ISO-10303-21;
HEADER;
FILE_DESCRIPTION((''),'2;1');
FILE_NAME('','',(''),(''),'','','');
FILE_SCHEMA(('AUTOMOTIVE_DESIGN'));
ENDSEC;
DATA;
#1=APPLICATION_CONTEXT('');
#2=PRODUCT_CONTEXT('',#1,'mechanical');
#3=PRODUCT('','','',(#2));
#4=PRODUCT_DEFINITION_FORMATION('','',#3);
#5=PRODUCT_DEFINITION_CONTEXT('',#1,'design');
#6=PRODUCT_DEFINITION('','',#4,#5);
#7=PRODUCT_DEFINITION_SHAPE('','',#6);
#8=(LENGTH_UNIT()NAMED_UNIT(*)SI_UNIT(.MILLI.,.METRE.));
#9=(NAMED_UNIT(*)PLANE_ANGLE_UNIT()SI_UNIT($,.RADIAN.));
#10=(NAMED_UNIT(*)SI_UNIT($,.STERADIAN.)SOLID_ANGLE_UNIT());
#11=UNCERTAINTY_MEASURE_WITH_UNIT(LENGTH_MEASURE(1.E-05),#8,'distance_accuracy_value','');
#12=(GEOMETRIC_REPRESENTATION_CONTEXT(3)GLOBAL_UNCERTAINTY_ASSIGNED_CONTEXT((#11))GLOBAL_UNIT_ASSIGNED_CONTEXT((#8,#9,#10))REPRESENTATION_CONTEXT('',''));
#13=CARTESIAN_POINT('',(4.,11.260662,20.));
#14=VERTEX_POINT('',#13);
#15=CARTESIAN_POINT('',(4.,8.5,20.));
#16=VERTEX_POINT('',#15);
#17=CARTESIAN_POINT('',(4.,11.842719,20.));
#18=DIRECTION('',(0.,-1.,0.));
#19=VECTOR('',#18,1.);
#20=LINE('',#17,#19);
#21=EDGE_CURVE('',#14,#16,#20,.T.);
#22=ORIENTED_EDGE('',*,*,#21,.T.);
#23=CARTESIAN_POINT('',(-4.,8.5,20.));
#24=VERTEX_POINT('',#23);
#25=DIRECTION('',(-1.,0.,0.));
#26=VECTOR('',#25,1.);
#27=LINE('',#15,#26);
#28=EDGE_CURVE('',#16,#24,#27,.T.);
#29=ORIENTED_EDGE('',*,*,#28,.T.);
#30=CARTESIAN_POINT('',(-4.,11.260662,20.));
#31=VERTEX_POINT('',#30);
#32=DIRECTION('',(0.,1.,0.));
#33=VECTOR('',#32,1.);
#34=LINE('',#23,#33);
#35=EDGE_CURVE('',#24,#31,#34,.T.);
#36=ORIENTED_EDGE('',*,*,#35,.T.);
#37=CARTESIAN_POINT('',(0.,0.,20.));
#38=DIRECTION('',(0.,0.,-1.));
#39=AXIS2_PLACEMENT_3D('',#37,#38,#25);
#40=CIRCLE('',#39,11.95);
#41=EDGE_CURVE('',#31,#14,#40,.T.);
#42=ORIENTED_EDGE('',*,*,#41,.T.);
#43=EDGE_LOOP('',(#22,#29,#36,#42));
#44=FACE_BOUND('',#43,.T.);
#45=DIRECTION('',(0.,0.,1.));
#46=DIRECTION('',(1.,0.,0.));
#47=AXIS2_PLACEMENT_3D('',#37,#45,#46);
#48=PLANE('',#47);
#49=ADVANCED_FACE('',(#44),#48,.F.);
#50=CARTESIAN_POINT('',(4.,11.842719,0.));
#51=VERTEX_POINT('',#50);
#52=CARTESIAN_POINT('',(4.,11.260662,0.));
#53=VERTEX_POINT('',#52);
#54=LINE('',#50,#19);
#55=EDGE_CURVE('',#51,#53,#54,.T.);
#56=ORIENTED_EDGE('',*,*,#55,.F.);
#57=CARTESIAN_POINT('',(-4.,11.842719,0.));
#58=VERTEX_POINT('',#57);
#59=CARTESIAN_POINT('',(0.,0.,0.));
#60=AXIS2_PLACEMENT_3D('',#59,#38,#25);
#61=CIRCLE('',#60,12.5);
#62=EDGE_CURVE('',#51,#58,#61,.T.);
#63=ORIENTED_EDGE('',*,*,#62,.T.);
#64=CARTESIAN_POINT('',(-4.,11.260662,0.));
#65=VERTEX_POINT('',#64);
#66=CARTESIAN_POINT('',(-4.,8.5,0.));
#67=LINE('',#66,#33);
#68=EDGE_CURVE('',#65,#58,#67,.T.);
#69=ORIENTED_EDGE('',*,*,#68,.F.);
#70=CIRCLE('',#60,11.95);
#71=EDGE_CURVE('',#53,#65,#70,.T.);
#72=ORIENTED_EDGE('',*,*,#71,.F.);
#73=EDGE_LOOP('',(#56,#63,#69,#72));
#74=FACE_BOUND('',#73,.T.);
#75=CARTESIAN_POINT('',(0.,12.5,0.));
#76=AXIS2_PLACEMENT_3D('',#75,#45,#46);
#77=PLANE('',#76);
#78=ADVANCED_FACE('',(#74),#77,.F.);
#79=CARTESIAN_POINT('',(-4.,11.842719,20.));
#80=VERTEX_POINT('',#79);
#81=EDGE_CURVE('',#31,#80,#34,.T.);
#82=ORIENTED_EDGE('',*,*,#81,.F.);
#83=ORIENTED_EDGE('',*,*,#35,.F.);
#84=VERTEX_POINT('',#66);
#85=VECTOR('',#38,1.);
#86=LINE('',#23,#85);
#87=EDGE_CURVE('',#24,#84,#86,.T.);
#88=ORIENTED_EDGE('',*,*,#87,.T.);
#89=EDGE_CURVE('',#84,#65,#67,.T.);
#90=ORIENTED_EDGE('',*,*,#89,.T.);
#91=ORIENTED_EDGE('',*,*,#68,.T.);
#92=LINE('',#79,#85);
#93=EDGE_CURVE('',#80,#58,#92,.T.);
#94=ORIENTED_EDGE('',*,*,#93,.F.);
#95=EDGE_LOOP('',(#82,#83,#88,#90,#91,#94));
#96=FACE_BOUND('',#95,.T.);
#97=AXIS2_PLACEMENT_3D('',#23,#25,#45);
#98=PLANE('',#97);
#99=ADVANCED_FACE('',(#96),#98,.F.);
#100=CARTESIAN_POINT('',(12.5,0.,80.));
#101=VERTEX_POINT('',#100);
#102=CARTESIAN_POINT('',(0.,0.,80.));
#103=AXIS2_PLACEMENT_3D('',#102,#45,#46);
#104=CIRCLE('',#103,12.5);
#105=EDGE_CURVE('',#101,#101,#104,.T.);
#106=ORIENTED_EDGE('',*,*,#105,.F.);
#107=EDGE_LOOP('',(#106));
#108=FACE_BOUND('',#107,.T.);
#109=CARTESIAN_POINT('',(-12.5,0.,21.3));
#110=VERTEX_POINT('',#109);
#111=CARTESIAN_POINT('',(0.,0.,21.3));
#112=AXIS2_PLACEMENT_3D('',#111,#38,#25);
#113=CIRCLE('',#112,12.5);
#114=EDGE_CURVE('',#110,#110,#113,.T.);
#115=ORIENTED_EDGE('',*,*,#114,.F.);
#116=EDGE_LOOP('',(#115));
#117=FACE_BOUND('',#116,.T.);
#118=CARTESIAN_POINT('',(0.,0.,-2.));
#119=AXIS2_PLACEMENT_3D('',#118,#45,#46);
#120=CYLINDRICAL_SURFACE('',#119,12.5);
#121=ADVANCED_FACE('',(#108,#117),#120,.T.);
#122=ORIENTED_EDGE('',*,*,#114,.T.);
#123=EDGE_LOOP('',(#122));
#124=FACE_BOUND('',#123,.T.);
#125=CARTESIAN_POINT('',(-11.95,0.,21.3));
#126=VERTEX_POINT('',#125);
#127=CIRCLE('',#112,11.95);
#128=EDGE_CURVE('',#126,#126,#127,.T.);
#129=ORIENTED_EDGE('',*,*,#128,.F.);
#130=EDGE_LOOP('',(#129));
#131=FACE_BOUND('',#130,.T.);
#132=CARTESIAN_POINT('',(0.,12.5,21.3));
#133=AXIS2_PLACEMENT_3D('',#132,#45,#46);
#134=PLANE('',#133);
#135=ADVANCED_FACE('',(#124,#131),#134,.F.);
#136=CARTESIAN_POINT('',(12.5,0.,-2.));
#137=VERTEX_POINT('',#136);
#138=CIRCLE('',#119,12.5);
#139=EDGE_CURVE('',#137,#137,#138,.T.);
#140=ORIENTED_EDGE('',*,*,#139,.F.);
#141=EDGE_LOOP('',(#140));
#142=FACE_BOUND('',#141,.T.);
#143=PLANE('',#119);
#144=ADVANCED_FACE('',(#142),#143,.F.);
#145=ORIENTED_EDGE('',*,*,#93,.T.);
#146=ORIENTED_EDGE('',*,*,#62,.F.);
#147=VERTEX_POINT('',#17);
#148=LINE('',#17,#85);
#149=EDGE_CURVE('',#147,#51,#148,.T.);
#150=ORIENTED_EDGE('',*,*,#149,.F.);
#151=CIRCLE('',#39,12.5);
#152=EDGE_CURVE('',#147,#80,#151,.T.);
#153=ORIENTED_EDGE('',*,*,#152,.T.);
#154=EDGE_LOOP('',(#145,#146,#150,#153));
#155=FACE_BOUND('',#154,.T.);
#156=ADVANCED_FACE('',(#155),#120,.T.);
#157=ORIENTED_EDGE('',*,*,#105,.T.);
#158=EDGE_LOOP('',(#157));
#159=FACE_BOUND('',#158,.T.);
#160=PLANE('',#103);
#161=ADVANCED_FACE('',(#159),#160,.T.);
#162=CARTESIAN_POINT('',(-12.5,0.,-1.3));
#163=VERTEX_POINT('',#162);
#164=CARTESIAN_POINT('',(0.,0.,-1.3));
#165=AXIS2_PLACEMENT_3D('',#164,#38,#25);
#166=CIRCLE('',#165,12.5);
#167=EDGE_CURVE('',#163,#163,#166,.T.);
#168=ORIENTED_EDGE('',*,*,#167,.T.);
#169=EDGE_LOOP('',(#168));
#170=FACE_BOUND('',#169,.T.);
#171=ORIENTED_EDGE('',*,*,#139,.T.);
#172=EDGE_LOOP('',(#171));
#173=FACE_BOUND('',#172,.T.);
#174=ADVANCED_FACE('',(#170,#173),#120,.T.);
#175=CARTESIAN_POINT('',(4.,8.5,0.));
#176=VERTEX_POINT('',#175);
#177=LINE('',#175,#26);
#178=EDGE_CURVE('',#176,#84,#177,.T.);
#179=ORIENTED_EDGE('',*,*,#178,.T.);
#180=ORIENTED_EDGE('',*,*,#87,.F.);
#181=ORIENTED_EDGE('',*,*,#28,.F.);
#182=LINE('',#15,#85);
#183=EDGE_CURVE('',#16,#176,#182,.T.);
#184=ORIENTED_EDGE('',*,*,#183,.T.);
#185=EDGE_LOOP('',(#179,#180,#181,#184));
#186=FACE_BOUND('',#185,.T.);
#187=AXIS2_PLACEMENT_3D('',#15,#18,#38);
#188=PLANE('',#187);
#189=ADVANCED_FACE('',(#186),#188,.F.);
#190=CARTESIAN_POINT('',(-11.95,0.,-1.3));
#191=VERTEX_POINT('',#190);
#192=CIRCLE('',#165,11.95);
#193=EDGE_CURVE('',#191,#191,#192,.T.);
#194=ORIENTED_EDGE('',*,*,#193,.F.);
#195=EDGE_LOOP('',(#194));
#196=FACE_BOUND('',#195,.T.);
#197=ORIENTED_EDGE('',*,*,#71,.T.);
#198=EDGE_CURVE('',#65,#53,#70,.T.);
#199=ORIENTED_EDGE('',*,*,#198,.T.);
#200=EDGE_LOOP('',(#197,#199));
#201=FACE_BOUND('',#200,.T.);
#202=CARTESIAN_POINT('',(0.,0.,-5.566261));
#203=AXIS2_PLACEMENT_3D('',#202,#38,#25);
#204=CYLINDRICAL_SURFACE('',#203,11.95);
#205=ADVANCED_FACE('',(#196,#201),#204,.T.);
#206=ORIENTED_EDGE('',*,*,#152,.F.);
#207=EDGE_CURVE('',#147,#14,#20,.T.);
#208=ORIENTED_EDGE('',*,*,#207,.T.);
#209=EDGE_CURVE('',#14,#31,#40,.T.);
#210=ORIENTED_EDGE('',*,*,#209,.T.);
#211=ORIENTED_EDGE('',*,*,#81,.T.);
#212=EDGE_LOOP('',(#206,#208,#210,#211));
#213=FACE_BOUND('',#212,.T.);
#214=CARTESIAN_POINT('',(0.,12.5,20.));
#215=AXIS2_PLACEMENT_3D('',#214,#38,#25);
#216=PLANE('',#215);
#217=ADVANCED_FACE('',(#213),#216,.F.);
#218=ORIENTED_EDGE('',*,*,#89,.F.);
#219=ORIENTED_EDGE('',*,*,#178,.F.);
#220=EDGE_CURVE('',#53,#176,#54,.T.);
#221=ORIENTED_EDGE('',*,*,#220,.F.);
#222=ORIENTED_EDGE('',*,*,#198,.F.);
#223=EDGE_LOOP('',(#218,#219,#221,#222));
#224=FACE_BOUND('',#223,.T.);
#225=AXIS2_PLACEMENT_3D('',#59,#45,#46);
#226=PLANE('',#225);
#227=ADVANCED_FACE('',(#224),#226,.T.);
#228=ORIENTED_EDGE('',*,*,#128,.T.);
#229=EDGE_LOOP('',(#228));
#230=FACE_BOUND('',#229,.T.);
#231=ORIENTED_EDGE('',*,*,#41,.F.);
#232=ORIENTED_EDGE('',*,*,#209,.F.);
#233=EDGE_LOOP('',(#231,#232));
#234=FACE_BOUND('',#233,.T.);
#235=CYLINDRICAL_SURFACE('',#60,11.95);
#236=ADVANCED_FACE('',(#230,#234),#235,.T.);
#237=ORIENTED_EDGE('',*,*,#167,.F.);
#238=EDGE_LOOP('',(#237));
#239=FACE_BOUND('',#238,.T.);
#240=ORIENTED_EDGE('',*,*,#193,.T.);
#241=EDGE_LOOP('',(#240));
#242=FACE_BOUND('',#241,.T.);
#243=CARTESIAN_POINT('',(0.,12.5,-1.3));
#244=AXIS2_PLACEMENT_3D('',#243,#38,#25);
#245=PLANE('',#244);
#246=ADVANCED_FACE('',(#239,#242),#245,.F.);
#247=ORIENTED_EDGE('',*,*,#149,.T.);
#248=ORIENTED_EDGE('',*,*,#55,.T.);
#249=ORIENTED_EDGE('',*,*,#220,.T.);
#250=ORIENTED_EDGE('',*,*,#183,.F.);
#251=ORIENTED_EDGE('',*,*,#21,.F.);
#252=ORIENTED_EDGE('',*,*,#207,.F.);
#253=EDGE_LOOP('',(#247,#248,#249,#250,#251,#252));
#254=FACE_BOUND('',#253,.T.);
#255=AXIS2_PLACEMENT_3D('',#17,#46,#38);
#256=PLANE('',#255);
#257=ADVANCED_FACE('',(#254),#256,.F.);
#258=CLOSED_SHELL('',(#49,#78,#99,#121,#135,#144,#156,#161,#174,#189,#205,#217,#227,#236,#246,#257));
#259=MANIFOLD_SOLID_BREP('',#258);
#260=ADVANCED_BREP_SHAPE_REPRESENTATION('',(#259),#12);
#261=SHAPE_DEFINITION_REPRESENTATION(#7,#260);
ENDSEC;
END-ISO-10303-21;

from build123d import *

# Parameters (mm, degrees)
BOSS_EXTRUDE1_DEPTH      = 80
BOSS_EXTRUDE1_DEPTH_BACK = 2
SKETCH1_R                = 12.5
CUT_EXTRUDE1_START       = -2
CUT_EXTRUDE1_DEPTH       = 20
SKETCH4_W                = 1.3
SKETCH4_H                = 0.55
SKETCH5_W                = 1.3
SKETCH5_H                = 0.55


with BuildPart() as part:
    # Sketch1 → Boss-Extrude1 (new, two sides: drawn at the far end of the back side and taken through both)
    with BuildSketch(Plane.XY.offset(-BOSS_EXTRUDE1_DEPTH_BACK)):
        Circle(SKETCH1_R)
    extrude(amount=BOSS_EXTRUDE1_DEPTH + BOSS_EXTRUDE1_DEPTH_BACK)

    # Sketch2 → Cut-Extrude1 (cut)
    with BuildSketch(Plane(origin=(0, 0, -2), x_dir=(-1, 0, 0), z_dir=(0, 0, -1)).offset(CUT_EXTRUDE1_START)):
        with BuildLine():
            Line((-4, 11.842719282), (-4, 8.5))
            Line((-4, 8.5), (4, 8.5))
            Line((4, 8.5), (4, 11.842719282))
            ThreePointArc((4, 11.842719282), (0, 12.5), (-4, 11.842719282))
        make_face()
    extrude(amount=-CUT_EXTRUDE1_DEPTH, mode=Mode.SUBTRACT)

    # Sketch4 → Cut-Revolve1 (revolve, cut)
    with BuildSketch(Plane(origin=(0, 0, 0), x_dir=(0, 0, -1), z_dir=(1, 0, 0)), mode=Mode.PRIVATE) as cut_revolve1_sk:
        with Locations((0.65, 12.225)):
            Rectangle(SKETCH4_W, SKETCH4_H)
    revolve(cut_revolve1_sk.sketch.rotate(Axis((0, 0, -5.566261423), (0, 0, 1)), 270), axis=Axis((0, 0, -5.566261423), (0, 0, 1)), mode=Mode.SUBTRACT)

    # Sketch5 → Cut-Revolve2 (revolve, cut)
    with BuildSketch(Plane(origin=(0, 0, 0), x_dir=(0, 0, -1), z_dir=(1, 0, 0)), mode=Mode.PRIVATE) as cut_revolve2_sk:
        with Locations((-20.65, 12.225)):
            Rectangle(SKETCH5_W, SKETCH5_H)
    revolve(cut_revolve2_sk.sketch.rotate(Axis((0, 0, 0), (0, 0, 1)), 90), axis=Axis((0, 0, 0), (0, 0, 1)), mode=Mode.SUBTRACT)


solid = part.part
